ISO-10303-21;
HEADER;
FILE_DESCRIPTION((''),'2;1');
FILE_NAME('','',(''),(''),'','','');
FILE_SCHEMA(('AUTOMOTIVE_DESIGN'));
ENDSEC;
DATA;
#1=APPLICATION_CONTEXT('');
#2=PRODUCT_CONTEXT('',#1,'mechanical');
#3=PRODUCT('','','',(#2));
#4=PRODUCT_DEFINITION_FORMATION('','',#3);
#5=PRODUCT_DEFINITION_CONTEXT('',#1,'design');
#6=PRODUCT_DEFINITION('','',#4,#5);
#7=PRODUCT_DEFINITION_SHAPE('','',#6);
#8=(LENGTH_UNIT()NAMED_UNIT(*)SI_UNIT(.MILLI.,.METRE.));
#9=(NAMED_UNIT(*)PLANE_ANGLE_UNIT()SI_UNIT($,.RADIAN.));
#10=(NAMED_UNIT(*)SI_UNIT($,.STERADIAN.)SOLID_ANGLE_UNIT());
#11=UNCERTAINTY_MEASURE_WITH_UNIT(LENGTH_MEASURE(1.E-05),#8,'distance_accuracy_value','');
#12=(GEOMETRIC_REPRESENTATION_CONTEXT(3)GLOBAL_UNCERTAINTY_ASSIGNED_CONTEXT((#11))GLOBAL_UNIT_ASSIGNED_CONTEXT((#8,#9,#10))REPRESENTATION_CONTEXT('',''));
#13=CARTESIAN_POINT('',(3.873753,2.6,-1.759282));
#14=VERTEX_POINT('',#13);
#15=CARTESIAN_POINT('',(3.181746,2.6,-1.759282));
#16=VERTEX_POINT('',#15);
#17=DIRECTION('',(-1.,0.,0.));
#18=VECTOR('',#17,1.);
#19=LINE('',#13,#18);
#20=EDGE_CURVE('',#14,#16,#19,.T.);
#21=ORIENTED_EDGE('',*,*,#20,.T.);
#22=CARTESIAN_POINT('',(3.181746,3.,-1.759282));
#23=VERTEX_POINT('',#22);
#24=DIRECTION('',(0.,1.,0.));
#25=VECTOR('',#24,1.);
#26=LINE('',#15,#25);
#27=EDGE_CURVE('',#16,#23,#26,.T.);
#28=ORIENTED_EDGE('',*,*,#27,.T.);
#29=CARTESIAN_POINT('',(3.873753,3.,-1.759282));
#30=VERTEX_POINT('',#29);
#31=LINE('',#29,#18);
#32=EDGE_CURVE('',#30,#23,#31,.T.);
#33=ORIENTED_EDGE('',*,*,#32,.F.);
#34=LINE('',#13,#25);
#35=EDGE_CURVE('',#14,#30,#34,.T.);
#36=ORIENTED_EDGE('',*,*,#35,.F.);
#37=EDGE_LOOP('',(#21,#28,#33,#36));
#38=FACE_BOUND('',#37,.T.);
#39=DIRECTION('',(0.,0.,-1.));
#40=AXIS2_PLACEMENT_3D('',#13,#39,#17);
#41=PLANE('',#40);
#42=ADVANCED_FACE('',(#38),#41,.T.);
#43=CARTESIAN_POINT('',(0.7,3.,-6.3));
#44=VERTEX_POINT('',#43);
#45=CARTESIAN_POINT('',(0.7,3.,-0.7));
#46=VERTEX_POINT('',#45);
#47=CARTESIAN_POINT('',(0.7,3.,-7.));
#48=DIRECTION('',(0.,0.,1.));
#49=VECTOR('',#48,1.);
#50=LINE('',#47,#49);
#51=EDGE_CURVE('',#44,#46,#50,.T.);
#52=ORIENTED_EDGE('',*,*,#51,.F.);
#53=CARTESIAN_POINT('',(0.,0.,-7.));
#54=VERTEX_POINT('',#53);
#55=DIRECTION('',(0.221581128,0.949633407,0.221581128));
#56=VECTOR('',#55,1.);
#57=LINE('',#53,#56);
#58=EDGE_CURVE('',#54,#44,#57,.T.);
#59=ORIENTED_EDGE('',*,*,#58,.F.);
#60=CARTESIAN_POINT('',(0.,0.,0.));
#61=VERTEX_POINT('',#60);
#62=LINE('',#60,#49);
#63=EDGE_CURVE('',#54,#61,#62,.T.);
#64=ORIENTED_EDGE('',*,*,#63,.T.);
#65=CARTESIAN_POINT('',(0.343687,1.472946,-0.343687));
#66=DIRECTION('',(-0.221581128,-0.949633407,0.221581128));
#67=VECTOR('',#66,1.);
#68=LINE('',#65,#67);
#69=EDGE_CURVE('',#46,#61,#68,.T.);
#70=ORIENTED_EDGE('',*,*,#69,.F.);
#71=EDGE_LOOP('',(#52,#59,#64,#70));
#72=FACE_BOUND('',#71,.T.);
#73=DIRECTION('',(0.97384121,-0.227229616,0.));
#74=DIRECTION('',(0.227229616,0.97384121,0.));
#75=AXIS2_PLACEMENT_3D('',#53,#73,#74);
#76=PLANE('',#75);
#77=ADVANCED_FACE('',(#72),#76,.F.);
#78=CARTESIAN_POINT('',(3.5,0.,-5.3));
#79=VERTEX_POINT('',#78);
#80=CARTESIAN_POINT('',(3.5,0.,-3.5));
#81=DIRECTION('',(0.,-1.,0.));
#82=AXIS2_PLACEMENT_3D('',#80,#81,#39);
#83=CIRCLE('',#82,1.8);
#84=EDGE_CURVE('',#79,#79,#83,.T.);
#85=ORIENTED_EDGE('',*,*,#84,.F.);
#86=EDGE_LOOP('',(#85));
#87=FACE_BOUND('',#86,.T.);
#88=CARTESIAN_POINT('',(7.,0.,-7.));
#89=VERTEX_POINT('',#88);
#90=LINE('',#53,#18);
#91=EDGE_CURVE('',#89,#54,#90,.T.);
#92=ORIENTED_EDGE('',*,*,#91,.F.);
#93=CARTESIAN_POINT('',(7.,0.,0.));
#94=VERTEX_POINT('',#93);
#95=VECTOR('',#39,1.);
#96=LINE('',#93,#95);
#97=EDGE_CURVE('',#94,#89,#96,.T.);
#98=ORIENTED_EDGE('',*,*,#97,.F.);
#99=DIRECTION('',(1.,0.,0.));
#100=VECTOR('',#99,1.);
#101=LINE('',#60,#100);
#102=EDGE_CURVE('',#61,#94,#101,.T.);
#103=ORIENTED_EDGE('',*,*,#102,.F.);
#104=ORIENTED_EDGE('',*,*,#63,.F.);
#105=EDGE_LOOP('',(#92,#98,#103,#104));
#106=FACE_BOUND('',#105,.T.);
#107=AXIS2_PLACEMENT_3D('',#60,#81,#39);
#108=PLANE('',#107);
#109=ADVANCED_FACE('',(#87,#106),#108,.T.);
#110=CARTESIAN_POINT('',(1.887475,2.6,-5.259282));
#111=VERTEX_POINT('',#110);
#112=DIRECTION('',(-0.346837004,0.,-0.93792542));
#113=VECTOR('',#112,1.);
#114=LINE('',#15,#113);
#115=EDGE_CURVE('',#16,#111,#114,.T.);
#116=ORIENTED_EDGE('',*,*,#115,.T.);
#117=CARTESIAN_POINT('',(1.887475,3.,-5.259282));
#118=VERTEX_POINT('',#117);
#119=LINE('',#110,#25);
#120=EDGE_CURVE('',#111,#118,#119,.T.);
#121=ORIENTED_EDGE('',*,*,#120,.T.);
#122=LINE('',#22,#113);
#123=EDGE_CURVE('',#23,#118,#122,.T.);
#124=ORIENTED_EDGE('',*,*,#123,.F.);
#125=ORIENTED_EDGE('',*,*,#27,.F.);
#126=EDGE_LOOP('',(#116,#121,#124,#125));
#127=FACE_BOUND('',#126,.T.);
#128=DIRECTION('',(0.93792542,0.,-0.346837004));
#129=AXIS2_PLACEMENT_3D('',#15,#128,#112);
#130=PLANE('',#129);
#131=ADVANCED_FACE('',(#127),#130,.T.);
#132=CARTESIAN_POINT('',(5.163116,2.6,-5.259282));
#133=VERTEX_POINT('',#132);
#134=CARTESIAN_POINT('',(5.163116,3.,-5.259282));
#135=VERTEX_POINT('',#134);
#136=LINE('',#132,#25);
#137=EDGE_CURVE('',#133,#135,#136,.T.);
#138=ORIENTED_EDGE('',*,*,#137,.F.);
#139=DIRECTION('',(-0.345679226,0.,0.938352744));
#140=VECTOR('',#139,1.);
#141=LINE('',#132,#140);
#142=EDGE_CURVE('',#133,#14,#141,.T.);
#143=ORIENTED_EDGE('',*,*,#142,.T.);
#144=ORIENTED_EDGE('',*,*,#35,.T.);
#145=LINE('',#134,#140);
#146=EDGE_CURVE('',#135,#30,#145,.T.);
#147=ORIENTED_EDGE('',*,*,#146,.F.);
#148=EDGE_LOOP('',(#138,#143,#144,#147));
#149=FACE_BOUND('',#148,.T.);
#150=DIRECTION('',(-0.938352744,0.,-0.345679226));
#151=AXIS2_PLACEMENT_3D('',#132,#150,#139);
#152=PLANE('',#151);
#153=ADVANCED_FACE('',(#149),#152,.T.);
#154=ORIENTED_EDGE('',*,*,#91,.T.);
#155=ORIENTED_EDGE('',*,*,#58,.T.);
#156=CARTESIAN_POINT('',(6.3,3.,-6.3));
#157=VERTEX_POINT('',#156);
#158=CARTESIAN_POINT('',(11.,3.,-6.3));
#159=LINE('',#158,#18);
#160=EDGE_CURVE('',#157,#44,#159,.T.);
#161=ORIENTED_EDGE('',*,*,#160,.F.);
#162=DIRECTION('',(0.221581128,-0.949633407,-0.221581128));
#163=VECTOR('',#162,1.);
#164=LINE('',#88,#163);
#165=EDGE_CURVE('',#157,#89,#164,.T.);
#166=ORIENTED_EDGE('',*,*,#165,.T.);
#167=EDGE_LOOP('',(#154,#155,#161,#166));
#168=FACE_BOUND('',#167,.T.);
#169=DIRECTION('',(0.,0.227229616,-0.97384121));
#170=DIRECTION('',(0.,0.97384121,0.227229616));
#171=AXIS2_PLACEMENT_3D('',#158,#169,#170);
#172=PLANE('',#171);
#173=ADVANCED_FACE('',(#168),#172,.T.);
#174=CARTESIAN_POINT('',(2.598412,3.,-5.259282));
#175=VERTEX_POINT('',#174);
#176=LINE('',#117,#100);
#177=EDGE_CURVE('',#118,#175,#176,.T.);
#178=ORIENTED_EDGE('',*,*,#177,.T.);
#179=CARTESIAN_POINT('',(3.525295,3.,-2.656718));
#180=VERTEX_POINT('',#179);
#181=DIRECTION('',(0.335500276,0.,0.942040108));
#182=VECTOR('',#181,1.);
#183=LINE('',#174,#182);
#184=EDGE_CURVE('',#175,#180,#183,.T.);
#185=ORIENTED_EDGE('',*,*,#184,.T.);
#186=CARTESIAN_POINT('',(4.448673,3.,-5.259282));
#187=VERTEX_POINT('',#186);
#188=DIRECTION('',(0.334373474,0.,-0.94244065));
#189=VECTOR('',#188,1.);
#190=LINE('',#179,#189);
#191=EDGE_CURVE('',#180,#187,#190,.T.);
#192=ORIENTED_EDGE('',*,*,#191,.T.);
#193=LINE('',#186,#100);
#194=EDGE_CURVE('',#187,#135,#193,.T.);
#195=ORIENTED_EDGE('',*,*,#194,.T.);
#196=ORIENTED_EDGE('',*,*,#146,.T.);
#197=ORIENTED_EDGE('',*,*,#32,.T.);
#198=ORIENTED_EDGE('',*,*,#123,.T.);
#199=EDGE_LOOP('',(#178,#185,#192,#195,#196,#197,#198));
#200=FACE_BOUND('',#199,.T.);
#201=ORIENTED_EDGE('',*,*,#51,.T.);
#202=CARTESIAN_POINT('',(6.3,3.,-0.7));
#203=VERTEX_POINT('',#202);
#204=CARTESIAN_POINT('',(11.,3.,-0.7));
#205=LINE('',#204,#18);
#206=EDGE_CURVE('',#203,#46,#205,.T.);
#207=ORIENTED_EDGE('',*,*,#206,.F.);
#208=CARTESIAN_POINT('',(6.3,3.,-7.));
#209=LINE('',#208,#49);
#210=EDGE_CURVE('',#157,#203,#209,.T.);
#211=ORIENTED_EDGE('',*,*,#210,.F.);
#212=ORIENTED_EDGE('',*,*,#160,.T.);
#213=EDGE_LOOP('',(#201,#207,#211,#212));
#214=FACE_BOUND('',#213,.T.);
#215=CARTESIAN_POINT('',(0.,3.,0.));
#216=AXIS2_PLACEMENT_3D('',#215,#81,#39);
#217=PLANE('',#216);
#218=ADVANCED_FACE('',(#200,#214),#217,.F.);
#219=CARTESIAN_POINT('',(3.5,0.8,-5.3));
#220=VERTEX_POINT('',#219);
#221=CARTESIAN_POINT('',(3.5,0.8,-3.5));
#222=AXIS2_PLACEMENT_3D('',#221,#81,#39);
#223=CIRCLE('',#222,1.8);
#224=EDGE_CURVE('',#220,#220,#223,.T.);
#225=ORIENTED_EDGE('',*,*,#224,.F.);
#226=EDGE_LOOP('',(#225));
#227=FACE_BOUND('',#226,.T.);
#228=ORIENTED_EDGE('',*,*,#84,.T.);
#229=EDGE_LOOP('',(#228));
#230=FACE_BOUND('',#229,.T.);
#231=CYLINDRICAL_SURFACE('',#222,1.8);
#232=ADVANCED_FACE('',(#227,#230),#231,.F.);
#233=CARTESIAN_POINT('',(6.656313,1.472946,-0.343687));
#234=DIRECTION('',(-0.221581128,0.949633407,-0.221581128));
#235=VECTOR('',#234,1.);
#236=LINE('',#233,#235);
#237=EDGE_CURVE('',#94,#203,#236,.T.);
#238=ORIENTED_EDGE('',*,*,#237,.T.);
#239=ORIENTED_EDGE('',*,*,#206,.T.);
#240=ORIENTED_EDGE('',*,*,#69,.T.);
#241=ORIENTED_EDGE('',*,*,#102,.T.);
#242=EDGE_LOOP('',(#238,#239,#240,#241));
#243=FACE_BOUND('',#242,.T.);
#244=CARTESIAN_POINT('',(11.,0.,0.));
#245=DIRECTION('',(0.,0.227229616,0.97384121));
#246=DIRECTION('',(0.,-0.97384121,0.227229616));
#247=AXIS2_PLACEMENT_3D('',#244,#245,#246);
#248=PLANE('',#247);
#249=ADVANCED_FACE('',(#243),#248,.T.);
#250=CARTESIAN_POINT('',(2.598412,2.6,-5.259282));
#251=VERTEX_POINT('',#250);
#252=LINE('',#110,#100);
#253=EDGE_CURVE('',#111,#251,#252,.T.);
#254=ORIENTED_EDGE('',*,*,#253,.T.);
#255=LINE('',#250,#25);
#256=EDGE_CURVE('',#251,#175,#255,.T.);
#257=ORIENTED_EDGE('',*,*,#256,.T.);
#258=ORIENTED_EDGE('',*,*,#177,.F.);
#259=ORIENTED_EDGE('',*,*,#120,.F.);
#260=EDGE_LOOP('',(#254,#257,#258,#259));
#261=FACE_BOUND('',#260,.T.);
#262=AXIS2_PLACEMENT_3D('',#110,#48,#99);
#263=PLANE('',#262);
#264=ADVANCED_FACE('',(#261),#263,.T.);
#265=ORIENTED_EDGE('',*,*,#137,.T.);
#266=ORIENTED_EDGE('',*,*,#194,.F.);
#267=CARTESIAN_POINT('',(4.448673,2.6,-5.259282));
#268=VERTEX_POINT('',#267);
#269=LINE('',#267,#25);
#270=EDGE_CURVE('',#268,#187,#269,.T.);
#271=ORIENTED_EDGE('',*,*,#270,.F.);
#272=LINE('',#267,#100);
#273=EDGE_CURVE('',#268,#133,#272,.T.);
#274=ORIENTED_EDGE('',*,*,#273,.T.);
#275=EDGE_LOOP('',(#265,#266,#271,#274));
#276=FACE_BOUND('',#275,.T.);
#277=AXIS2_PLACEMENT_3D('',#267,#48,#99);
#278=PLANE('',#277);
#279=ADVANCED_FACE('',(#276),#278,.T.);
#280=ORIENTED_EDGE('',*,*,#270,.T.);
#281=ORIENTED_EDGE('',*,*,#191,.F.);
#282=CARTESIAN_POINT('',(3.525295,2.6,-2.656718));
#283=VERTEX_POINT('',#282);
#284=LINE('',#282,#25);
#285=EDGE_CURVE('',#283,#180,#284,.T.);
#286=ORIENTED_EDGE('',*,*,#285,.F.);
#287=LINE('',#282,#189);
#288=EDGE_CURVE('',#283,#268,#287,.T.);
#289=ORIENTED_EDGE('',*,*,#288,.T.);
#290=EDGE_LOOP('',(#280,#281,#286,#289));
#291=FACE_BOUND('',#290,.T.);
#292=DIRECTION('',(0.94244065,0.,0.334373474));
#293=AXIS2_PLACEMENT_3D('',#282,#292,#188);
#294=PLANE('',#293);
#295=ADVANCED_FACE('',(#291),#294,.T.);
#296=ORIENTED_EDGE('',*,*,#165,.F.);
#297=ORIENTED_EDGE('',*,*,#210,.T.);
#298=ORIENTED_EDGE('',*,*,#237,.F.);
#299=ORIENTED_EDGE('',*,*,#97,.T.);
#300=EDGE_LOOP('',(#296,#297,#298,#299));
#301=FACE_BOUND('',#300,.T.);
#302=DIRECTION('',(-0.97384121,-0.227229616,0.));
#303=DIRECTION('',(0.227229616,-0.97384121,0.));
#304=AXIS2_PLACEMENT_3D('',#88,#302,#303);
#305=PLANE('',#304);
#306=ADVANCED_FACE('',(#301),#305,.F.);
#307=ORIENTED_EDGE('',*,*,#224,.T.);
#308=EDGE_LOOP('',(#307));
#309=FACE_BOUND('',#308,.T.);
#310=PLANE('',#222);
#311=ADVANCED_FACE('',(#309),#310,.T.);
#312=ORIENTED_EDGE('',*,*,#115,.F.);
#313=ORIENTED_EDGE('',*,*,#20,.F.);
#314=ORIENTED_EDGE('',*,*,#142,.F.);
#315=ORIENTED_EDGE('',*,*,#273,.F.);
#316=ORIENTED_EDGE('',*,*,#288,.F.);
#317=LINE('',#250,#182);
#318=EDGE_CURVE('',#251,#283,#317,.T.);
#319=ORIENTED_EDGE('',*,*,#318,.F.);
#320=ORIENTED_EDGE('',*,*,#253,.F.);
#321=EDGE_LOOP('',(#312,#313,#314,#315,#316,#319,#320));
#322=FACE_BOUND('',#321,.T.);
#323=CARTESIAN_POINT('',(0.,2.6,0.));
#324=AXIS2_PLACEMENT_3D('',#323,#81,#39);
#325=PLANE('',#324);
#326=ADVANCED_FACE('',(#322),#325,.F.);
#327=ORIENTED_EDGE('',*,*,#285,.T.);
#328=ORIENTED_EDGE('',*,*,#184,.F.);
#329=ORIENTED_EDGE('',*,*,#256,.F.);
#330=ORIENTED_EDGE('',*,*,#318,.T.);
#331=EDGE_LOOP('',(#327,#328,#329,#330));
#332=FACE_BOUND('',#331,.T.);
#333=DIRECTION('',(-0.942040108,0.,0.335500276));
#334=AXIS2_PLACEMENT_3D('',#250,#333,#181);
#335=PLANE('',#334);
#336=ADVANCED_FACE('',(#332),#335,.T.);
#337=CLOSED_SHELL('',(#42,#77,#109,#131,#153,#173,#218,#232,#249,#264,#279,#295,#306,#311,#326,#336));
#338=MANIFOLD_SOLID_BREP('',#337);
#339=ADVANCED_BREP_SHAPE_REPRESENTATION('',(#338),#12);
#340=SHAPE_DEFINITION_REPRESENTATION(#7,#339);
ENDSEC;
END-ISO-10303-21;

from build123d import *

# Parameters (mm, degrees)
SKETCH1_W           = 7
SKETCH1_H           = 7
BOSS_EXTRUDE1_DEPTH = 3
CUT_EXTRUDE1_DEPTH  = 7
CUT_EXTRUDE2_DEPTH  = 11
SKETCH4_R           = 1.8
CUT_EXTRUDE3_DEPTH  = 0.8
CUT_EXTRUDE4_DEPTH  = 0.4


with BuildPart() as part:
    # Sketch1 → Boss-Extrude1 (new body)
    with BuildSketch(Plane(origin=(0, 0, 0), x_dir=(1, 0, 0), z_dir=(0, 1, 0))):
        with Locations((3.5, 3.5)):
            Rectangle(SKETCH1_W, SKETCH1_H)
    extrude(amount=BOSS_EXTRUDE1_DEPTH)

    # Sketch2 → Cut-Extrude1 (cut)
    with BuildSketch(Plane.XY):
        Polygon((0, 0), (0.7, 3), (0, 3), align=None)
        Polygon((7, 0), (6.3, 3), (7, 3), align=None)
    extrude(amount=-CUT_EXTRUDE1_DEPTH, mode=Mode.SUBTRACT)

    # Sketch3 → Cut-Extrude2 (cut)
    with BuildSketch(Plane(origin=(0, 0, 0), x_dir=(0, 0, -1), z_dir=(1, 0, 0))):
        Polygon((0, 0), (0.7, 3), (0, 3), align=None)
        Polygon((7, 3), (6.3, 3), (7, 0), align=None)
    extrude(amount=CUT_EXTRUDE2_DEPTH, mode=Mode.SUBTRACT)

    # Sketch4 → Cut-Extrude3 (cut)
    with BuildSketch(Plane.XZ):
        with Locations(Location((3.5, -3.5, 0), (0, 0, 270))):
            Circle(SKETCH4_R)
    extrude(amount=-CUT_EXTRUDE3_DEPTH, mode=Mode.SUBTRACT)

    # Sketch5 → Cut-Extrude4 (cut)
    with BuildSketch(Plane(origin=(0, 3, 0), x_dir=(1, 0, 0), z_dir=(0, 1, 0))):
        Polygon((3.18174557, 1.759282352), (1.887474737, 5.259282352), (2.598412237, 5.259282352), (3.525295249, 2.656718249), (4.448672653, 5.259282352), (5.163115762, 5.259282352), (3.873752781, 1.759282352), align=None)
    extrude(amount=-CUT_EXTRUDE4_DEPTH, mode=Mode.SUBTRACT)


solid = part.part
